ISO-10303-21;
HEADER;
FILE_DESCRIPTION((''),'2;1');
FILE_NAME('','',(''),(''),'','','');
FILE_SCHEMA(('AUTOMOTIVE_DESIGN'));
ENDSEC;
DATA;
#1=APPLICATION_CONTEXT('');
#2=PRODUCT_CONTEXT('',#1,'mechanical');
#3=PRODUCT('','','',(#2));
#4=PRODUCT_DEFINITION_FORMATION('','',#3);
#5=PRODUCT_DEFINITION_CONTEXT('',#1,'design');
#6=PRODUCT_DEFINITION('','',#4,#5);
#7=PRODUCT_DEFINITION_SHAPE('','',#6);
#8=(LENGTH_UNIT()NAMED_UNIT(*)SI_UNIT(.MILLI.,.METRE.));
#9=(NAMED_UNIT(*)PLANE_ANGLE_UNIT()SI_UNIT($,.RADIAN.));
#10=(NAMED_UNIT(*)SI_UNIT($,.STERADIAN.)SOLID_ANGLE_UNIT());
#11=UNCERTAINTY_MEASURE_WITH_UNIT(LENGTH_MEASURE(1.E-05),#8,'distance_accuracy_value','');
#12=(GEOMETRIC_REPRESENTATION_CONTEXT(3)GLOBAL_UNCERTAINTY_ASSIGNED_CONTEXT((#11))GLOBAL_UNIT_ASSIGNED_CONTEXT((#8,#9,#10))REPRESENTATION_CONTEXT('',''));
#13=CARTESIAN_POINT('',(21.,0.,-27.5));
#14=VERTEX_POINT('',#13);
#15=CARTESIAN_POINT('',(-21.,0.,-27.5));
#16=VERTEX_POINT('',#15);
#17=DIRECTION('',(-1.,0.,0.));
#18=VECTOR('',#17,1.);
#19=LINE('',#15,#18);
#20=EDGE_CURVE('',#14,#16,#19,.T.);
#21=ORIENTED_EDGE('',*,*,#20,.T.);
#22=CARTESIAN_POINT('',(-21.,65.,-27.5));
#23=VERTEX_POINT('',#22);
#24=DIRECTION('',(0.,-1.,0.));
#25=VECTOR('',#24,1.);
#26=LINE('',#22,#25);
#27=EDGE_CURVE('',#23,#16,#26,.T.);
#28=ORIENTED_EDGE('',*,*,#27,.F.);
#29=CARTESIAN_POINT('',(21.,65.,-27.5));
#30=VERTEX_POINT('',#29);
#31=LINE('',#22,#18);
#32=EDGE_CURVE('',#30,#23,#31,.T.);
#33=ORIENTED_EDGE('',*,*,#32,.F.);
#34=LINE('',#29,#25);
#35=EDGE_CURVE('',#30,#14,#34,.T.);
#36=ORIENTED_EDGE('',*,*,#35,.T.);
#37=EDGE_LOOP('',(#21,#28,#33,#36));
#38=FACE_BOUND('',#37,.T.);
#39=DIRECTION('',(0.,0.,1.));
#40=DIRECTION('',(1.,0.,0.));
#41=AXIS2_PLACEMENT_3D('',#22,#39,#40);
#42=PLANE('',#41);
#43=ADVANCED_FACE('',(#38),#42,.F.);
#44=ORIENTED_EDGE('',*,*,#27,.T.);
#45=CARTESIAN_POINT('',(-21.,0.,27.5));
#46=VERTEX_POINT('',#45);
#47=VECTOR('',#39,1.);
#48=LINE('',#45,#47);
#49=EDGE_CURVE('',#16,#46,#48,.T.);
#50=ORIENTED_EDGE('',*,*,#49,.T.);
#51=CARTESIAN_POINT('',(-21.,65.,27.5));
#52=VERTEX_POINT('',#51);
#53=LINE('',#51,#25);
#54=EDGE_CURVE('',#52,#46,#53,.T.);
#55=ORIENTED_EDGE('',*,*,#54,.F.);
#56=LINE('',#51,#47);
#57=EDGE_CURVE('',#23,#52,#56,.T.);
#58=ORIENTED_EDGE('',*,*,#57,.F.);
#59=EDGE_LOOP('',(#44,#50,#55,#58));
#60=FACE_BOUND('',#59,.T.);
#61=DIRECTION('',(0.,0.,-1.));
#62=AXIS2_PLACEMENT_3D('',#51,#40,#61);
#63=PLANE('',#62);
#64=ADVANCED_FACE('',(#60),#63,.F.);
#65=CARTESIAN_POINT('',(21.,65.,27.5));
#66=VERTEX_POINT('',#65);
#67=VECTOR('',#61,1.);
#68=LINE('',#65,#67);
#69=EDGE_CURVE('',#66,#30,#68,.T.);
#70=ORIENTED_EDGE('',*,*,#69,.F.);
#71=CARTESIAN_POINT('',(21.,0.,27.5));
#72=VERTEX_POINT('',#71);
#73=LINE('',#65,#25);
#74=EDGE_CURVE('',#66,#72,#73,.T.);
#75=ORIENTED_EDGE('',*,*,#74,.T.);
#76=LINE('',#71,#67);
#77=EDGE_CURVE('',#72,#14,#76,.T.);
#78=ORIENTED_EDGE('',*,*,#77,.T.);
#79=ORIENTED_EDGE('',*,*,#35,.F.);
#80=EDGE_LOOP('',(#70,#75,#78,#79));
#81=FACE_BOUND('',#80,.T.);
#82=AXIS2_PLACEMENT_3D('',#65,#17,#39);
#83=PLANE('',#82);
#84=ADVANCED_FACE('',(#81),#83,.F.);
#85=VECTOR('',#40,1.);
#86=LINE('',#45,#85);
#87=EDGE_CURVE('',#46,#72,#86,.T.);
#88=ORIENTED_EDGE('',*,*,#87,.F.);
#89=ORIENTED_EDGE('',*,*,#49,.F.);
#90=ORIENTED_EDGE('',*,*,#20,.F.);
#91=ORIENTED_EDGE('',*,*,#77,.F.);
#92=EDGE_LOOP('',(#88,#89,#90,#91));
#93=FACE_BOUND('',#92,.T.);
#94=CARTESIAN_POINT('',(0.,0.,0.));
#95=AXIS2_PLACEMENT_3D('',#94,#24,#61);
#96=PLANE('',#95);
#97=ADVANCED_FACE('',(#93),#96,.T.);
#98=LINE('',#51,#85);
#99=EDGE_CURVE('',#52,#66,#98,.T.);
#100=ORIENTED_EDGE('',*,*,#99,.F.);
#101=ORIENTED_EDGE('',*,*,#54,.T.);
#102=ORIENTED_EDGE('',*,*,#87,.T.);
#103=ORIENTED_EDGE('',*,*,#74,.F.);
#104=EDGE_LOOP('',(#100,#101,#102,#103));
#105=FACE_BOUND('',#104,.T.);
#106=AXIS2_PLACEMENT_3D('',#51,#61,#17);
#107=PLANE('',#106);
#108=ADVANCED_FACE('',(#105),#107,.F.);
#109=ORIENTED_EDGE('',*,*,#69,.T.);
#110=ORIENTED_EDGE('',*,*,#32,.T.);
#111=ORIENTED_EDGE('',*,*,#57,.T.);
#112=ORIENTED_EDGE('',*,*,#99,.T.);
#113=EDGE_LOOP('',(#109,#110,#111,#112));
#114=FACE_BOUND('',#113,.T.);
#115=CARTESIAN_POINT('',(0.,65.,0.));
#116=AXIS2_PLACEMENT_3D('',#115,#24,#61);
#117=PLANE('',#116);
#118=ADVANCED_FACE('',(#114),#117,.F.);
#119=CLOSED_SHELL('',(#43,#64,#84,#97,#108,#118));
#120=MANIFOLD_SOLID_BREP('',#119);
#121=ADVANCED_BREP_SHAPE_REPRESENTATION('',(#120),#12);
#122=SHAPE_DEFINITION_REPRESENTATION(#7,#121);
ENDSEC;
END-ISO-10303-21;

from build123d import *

# Parameters (mm, degrees)
SKETCH_1_W      = 42
SKETCH_1_H      = 55
EXTRUDE_1_DEPTH = 65


with BuildPart() as part:
    # 스케치1 → 보스-돌출1 (new body)
    with BuildSketch(Plane(origin=(0, 0, 0), x_dir=(1, 0, 0), z_dir=(0, 1, 0))):
        Rectangle(SKETCH_1_W, SKETCH_1_H)
    extrude(amount=EXTRUDE_1_DEPTH)


solid = part.part
